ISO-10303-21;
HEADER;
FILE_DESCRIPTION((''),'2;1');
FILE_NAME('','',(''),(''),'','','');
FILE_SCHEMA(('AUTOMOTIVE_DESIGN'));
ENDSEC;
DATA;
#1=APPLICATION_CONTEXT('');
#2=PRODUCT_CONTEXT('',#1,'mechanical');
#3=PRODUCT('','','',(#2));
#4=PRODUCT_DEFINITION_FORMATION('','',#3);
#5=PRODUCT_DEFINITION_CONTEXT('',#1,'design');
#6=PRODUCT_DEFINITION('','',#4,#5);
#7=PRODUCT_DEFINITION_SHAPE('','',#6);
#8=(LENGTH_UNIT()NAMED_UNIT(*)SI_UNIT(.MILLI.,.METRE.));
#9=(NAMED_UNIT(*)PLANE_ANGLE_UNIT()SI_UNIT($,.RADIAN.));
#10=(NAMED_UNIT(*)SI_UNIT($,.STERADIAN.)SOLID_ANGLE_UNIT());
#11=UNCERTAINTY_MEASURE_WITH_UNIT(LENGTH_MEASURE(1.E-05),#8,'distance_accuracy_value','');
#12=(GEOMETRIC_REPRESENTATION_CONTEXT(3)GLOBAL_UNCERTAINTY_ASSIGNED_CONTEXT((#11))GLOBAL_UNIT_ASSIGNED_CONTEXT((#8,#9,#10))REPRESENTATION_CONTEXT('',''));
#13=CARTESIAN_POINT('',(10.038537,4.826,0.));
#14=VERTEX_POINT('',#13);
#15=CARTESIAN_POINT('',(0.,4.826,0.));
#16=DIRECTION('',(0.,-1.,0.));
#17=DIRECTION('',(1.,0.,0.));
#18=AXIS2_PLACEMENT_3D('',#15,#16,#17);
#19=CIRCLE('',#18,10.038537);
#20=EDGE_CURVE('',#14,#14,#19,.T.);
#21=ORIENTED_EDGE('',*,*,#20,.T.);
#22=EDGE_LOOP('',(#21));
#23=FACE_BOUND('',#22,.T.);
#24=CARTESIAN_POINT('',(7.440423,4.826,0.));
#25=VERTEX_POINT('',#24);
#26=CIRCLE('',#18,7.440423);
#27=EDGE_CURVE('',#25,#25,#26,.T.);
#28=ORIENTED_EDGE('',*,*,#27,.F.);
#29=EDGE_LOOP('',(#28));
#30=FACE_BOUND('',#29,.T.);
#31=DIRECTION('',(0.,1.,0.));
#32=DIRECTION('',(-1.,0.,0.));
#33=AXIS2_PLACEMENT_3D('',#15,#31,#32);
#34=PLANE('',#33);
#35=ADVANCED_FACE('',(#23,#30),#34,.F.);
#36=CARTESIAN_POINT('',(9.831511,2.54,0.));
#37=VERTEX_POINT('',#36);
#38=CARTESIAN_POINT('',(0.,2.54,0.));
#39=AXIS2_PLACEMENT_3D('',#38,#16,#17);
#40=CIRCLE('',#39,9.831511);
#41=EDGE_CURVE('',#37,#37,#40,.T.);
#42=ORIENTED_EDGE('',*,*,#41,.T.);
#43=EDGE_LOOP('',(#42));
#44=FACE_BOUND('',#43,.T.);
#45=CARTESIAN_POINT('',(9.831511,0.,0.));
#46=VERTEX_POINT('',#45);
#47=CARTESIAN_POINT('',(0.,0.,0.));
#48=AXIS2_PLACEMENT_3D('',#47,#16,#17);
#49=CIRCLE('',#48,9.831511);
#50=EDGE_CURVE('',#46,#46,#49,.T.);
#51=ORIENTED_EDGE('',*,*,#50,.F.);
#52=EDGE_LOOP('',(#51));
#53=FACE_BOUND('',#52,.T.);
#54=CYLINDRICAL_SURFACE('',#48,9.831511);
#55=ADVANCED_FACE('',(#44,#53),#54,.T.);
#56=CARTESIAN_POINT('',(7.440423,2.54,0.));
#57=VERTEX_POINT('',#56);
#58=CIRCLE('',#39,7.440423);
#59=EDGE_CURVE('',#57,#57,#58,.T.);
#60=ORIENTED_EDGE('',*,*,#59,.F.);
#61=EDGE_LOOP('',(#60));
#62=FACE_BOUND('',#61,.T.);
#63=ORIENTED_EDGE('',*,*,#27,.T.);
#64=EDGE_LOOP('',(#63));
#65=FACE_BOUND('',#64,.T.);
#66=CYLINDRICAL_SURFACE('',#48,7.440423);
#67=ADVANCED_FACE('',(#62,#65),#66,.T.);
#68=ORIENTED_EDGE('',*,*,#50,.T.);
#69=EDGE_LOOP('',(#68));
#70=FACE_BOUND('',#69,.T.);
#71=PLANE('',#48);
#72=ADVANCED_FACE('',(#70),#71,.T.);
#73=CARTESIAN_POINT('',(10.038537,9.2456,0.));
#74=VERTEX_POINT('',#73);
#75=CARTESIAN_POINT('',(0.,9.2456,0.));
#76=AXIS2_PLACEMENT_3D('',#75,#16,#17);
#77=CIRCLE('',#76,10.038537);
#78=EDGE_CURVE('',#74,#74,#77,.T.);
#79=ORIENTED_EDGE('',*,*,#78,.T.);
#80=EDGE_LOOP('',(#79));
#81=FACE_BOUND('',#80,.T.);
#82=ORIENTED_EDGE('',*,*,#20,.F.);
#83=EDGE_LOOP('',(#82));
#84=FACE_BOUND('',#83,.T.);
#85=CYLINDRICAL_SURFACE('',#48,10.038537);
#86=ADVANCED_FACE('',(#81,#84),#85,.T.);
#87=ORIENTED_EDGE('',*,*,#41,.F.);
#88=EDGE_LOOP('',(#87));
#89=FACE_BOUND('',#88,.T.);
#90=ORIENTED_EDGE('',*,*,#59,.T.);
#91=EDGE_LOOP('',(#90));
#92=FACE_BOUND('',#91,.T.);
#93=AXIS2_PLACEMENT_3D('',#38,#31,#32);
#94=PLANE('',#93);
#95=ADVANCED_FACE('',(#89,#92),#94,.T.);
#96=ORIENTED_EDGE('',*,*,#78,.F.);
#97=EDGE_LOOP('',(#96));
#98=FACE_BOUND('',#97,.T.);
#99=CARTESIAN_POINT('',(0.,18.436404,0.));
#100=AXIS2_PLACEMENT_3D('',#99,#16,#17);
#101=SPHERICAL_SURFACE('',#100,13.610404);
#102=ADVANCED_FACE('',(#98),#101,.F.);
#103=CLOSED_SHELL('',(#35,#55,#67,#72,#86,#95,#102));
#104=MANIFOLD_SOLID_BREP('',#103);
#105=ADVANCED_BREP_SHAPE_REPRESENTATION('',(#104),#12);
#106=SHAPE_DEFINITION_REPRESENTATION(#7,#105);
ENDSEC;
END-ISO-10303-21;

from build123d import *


with BuildPart() as part:
    # Sketch3 → Revolve3 (revolve)
    with BuildSketch(Plane.XY):
        with BuildLine():
            Line((0, 4.826), (0, 0))
            Line((0, 0), (9.831510881, 0))
            Line((9.831510881, 0), (9.831510881, 2.54))
            Line((9.831510881, 2.54), (7.440423316, 2.54))
            Line((7.440423316, 2.54), (7.440423316, 4.826))
            Line((7.440423316, 4.826), (10.038536816, 4.826))
            Line((10.038536816, 4.826), (10.038536816, 9.2456))
            ThreePointArc((10.038536816, 9.2456), (5.484183749, 5.979806298), (0, 4.826))
        make_face()
    revolve(axis=Axis((0, 0, 0), (0, 1, 0)))


solid = part.part
